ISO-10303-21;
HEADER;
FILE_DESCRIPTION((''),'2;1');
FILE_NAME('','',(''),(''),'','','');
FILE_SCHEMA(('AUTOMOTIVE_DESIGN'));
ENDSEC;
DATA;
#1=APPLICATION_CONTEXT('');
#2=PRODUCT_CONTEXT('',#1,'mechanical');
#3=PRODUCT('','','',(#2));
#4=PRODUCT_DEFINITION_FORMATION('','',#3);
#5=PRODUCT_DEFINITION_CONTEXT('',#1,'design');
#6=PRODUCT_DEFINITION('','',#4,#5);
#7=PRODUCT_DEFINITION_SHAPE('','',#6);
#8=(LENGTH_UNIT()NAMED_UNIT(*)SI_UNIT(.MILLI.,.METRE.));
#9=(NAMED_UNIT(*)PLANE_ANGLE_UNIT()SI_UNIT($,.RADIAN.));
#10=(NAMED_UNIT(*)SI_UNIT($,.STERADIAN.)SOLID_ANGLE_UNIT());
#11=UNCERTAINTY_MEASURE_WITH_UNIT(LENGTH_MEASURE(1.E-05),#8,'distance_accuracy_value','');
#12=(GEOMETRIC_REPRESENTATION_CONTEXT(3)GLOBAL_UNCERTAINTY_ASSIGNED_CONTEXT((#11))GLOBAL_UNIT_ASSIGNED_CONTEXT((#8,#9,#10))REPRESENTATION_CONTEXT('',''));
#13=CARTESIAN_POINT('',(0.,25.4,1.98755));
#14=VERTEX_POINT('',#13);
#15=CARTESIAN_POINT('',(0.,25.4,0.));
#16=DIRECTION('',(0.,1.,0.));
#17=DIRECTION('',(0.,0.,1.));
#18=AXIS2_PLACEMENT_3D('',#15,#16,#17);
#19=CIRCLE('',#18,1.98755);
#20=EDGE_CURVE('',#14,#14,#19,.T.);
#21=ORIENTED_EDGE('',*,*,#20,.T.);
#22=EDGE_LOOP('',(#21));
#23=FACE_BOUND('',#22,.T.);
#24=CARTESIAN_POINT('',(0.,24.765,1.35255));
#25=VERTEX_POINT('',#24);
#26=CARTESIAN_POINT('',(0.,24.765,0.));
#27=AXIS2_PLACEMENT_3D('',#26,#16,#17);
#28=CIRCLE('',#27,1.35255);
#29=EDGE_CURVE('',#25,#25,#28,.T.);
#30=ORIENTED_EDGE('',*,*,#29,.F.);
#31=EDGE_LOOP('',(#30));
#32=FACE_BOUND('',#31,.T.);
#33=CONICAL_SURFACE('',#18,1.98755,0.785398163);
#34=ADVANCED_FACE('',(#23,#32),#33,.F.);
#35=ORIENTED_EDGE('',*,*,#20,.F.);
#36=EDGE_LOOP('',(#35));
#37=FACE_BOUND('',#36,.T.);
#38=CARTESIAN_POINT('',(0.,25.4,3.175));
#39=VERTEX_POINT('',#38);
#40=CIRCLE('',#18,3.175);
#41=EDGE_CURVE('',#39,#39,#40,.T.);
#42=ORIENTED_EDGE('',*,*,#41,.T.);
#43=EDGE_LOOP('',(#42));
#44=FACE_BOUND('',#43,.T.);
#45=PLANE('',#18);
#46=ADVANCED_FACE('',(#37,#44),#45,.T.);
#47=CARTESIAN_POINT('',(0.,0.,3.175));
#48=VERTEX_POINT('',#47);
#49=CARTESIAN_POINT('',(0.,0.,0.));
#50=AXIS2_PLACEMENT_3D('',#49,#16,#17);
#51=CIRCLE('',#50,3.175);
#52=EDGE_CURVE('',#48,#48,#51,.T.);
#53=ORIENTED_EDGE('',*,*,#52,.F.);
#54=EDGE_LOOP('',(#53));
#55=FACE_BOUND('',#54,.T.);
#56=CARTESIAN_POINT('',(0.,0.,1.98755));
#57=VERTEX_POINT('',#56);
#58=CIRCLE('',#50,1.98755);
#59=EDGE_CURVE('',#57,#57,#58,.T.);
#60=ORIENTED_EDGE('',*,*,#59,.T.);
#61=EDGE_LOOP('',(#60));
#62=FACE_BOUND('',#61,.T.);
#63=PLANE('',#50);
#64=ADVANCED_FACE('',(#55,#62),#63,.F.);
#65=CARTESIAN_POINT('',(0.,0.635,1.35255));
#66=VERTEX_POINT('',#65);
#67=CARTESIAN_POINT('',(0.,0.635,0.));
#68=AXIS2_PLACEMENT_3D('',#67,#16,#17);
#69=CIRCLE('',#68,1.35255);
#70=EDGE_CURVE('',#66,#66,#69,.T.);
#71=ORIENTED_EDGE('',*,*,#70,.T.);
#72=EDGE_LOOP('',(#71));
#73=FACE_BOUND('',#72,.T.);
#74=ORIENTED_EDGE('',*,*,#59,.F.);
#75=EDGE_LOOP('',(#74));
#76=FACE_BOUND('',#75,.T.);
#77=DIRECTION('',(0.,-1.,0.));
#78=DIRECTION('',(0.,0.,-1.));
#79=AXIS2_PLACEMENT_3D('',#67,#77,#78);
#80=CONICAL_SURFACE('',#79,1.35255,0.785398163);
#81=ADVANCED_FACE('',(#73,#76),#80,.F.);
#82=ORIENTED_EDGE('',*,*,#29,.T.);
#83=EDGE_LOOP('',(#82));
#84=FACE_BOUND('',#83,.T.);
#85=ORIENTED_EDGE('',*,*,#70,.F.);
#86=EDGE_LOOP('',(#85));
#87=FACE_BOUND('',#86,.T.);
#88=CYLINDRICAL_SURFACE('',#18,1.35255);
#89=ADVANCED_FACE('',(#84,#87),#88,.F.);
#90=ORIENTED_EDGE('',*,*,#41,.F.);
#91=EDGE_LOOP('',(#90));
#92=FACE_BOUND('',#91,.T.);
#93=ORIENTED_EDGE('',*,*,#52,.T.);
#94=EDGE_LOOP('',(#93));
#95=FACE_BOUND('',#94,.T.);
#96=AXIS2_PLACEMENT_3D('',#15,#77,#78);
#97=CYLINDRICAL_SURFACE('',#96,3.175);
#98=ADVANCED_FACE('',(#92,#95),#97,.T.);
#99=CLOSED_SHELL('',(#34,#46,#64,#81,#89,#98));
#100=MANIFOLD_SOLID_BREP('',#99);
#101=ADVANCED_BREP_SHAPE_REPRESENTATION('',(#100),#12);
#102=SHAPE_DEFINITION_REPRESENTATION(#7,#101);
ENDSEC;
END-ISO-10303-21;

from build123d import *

# Parameters (mm, degrees)
SKETCH1_R           = 3.175
BOSS_EXTRUDE1_DEPTH = 25.4


with BuildPart() as part:
    # Sketch1 → Boss-Extrude1 (new body)
    with BuildSketch(Plane(origin=(0, 0, 0), x_dir=(1, 0, 0), z_dir=(0, 1, 0))):
        Circle(SKETCH1_R)
    extrude(amount=BOSS_EXTRUDE1_DEPTH)

    # Sketch3 → #6-32 Tapped Hole1 (revolve, cut)
    with BuildSketch(Plane(origin=(0, 25.4, 0), x_dir=(0, 0, 1), z_dir=(1, 0, 0))):
        Polygon((0, 0), (0, 25.4), (1.98755, 25.4), (1.35255, 24.765), (1.35255, 0.635), (1.98755, 0), align=None)
    revolve(axis=Axis((0, 31.75, 0), (0, -1, 0)), mode=Mode.SUBTRACT)


solid = part.part
